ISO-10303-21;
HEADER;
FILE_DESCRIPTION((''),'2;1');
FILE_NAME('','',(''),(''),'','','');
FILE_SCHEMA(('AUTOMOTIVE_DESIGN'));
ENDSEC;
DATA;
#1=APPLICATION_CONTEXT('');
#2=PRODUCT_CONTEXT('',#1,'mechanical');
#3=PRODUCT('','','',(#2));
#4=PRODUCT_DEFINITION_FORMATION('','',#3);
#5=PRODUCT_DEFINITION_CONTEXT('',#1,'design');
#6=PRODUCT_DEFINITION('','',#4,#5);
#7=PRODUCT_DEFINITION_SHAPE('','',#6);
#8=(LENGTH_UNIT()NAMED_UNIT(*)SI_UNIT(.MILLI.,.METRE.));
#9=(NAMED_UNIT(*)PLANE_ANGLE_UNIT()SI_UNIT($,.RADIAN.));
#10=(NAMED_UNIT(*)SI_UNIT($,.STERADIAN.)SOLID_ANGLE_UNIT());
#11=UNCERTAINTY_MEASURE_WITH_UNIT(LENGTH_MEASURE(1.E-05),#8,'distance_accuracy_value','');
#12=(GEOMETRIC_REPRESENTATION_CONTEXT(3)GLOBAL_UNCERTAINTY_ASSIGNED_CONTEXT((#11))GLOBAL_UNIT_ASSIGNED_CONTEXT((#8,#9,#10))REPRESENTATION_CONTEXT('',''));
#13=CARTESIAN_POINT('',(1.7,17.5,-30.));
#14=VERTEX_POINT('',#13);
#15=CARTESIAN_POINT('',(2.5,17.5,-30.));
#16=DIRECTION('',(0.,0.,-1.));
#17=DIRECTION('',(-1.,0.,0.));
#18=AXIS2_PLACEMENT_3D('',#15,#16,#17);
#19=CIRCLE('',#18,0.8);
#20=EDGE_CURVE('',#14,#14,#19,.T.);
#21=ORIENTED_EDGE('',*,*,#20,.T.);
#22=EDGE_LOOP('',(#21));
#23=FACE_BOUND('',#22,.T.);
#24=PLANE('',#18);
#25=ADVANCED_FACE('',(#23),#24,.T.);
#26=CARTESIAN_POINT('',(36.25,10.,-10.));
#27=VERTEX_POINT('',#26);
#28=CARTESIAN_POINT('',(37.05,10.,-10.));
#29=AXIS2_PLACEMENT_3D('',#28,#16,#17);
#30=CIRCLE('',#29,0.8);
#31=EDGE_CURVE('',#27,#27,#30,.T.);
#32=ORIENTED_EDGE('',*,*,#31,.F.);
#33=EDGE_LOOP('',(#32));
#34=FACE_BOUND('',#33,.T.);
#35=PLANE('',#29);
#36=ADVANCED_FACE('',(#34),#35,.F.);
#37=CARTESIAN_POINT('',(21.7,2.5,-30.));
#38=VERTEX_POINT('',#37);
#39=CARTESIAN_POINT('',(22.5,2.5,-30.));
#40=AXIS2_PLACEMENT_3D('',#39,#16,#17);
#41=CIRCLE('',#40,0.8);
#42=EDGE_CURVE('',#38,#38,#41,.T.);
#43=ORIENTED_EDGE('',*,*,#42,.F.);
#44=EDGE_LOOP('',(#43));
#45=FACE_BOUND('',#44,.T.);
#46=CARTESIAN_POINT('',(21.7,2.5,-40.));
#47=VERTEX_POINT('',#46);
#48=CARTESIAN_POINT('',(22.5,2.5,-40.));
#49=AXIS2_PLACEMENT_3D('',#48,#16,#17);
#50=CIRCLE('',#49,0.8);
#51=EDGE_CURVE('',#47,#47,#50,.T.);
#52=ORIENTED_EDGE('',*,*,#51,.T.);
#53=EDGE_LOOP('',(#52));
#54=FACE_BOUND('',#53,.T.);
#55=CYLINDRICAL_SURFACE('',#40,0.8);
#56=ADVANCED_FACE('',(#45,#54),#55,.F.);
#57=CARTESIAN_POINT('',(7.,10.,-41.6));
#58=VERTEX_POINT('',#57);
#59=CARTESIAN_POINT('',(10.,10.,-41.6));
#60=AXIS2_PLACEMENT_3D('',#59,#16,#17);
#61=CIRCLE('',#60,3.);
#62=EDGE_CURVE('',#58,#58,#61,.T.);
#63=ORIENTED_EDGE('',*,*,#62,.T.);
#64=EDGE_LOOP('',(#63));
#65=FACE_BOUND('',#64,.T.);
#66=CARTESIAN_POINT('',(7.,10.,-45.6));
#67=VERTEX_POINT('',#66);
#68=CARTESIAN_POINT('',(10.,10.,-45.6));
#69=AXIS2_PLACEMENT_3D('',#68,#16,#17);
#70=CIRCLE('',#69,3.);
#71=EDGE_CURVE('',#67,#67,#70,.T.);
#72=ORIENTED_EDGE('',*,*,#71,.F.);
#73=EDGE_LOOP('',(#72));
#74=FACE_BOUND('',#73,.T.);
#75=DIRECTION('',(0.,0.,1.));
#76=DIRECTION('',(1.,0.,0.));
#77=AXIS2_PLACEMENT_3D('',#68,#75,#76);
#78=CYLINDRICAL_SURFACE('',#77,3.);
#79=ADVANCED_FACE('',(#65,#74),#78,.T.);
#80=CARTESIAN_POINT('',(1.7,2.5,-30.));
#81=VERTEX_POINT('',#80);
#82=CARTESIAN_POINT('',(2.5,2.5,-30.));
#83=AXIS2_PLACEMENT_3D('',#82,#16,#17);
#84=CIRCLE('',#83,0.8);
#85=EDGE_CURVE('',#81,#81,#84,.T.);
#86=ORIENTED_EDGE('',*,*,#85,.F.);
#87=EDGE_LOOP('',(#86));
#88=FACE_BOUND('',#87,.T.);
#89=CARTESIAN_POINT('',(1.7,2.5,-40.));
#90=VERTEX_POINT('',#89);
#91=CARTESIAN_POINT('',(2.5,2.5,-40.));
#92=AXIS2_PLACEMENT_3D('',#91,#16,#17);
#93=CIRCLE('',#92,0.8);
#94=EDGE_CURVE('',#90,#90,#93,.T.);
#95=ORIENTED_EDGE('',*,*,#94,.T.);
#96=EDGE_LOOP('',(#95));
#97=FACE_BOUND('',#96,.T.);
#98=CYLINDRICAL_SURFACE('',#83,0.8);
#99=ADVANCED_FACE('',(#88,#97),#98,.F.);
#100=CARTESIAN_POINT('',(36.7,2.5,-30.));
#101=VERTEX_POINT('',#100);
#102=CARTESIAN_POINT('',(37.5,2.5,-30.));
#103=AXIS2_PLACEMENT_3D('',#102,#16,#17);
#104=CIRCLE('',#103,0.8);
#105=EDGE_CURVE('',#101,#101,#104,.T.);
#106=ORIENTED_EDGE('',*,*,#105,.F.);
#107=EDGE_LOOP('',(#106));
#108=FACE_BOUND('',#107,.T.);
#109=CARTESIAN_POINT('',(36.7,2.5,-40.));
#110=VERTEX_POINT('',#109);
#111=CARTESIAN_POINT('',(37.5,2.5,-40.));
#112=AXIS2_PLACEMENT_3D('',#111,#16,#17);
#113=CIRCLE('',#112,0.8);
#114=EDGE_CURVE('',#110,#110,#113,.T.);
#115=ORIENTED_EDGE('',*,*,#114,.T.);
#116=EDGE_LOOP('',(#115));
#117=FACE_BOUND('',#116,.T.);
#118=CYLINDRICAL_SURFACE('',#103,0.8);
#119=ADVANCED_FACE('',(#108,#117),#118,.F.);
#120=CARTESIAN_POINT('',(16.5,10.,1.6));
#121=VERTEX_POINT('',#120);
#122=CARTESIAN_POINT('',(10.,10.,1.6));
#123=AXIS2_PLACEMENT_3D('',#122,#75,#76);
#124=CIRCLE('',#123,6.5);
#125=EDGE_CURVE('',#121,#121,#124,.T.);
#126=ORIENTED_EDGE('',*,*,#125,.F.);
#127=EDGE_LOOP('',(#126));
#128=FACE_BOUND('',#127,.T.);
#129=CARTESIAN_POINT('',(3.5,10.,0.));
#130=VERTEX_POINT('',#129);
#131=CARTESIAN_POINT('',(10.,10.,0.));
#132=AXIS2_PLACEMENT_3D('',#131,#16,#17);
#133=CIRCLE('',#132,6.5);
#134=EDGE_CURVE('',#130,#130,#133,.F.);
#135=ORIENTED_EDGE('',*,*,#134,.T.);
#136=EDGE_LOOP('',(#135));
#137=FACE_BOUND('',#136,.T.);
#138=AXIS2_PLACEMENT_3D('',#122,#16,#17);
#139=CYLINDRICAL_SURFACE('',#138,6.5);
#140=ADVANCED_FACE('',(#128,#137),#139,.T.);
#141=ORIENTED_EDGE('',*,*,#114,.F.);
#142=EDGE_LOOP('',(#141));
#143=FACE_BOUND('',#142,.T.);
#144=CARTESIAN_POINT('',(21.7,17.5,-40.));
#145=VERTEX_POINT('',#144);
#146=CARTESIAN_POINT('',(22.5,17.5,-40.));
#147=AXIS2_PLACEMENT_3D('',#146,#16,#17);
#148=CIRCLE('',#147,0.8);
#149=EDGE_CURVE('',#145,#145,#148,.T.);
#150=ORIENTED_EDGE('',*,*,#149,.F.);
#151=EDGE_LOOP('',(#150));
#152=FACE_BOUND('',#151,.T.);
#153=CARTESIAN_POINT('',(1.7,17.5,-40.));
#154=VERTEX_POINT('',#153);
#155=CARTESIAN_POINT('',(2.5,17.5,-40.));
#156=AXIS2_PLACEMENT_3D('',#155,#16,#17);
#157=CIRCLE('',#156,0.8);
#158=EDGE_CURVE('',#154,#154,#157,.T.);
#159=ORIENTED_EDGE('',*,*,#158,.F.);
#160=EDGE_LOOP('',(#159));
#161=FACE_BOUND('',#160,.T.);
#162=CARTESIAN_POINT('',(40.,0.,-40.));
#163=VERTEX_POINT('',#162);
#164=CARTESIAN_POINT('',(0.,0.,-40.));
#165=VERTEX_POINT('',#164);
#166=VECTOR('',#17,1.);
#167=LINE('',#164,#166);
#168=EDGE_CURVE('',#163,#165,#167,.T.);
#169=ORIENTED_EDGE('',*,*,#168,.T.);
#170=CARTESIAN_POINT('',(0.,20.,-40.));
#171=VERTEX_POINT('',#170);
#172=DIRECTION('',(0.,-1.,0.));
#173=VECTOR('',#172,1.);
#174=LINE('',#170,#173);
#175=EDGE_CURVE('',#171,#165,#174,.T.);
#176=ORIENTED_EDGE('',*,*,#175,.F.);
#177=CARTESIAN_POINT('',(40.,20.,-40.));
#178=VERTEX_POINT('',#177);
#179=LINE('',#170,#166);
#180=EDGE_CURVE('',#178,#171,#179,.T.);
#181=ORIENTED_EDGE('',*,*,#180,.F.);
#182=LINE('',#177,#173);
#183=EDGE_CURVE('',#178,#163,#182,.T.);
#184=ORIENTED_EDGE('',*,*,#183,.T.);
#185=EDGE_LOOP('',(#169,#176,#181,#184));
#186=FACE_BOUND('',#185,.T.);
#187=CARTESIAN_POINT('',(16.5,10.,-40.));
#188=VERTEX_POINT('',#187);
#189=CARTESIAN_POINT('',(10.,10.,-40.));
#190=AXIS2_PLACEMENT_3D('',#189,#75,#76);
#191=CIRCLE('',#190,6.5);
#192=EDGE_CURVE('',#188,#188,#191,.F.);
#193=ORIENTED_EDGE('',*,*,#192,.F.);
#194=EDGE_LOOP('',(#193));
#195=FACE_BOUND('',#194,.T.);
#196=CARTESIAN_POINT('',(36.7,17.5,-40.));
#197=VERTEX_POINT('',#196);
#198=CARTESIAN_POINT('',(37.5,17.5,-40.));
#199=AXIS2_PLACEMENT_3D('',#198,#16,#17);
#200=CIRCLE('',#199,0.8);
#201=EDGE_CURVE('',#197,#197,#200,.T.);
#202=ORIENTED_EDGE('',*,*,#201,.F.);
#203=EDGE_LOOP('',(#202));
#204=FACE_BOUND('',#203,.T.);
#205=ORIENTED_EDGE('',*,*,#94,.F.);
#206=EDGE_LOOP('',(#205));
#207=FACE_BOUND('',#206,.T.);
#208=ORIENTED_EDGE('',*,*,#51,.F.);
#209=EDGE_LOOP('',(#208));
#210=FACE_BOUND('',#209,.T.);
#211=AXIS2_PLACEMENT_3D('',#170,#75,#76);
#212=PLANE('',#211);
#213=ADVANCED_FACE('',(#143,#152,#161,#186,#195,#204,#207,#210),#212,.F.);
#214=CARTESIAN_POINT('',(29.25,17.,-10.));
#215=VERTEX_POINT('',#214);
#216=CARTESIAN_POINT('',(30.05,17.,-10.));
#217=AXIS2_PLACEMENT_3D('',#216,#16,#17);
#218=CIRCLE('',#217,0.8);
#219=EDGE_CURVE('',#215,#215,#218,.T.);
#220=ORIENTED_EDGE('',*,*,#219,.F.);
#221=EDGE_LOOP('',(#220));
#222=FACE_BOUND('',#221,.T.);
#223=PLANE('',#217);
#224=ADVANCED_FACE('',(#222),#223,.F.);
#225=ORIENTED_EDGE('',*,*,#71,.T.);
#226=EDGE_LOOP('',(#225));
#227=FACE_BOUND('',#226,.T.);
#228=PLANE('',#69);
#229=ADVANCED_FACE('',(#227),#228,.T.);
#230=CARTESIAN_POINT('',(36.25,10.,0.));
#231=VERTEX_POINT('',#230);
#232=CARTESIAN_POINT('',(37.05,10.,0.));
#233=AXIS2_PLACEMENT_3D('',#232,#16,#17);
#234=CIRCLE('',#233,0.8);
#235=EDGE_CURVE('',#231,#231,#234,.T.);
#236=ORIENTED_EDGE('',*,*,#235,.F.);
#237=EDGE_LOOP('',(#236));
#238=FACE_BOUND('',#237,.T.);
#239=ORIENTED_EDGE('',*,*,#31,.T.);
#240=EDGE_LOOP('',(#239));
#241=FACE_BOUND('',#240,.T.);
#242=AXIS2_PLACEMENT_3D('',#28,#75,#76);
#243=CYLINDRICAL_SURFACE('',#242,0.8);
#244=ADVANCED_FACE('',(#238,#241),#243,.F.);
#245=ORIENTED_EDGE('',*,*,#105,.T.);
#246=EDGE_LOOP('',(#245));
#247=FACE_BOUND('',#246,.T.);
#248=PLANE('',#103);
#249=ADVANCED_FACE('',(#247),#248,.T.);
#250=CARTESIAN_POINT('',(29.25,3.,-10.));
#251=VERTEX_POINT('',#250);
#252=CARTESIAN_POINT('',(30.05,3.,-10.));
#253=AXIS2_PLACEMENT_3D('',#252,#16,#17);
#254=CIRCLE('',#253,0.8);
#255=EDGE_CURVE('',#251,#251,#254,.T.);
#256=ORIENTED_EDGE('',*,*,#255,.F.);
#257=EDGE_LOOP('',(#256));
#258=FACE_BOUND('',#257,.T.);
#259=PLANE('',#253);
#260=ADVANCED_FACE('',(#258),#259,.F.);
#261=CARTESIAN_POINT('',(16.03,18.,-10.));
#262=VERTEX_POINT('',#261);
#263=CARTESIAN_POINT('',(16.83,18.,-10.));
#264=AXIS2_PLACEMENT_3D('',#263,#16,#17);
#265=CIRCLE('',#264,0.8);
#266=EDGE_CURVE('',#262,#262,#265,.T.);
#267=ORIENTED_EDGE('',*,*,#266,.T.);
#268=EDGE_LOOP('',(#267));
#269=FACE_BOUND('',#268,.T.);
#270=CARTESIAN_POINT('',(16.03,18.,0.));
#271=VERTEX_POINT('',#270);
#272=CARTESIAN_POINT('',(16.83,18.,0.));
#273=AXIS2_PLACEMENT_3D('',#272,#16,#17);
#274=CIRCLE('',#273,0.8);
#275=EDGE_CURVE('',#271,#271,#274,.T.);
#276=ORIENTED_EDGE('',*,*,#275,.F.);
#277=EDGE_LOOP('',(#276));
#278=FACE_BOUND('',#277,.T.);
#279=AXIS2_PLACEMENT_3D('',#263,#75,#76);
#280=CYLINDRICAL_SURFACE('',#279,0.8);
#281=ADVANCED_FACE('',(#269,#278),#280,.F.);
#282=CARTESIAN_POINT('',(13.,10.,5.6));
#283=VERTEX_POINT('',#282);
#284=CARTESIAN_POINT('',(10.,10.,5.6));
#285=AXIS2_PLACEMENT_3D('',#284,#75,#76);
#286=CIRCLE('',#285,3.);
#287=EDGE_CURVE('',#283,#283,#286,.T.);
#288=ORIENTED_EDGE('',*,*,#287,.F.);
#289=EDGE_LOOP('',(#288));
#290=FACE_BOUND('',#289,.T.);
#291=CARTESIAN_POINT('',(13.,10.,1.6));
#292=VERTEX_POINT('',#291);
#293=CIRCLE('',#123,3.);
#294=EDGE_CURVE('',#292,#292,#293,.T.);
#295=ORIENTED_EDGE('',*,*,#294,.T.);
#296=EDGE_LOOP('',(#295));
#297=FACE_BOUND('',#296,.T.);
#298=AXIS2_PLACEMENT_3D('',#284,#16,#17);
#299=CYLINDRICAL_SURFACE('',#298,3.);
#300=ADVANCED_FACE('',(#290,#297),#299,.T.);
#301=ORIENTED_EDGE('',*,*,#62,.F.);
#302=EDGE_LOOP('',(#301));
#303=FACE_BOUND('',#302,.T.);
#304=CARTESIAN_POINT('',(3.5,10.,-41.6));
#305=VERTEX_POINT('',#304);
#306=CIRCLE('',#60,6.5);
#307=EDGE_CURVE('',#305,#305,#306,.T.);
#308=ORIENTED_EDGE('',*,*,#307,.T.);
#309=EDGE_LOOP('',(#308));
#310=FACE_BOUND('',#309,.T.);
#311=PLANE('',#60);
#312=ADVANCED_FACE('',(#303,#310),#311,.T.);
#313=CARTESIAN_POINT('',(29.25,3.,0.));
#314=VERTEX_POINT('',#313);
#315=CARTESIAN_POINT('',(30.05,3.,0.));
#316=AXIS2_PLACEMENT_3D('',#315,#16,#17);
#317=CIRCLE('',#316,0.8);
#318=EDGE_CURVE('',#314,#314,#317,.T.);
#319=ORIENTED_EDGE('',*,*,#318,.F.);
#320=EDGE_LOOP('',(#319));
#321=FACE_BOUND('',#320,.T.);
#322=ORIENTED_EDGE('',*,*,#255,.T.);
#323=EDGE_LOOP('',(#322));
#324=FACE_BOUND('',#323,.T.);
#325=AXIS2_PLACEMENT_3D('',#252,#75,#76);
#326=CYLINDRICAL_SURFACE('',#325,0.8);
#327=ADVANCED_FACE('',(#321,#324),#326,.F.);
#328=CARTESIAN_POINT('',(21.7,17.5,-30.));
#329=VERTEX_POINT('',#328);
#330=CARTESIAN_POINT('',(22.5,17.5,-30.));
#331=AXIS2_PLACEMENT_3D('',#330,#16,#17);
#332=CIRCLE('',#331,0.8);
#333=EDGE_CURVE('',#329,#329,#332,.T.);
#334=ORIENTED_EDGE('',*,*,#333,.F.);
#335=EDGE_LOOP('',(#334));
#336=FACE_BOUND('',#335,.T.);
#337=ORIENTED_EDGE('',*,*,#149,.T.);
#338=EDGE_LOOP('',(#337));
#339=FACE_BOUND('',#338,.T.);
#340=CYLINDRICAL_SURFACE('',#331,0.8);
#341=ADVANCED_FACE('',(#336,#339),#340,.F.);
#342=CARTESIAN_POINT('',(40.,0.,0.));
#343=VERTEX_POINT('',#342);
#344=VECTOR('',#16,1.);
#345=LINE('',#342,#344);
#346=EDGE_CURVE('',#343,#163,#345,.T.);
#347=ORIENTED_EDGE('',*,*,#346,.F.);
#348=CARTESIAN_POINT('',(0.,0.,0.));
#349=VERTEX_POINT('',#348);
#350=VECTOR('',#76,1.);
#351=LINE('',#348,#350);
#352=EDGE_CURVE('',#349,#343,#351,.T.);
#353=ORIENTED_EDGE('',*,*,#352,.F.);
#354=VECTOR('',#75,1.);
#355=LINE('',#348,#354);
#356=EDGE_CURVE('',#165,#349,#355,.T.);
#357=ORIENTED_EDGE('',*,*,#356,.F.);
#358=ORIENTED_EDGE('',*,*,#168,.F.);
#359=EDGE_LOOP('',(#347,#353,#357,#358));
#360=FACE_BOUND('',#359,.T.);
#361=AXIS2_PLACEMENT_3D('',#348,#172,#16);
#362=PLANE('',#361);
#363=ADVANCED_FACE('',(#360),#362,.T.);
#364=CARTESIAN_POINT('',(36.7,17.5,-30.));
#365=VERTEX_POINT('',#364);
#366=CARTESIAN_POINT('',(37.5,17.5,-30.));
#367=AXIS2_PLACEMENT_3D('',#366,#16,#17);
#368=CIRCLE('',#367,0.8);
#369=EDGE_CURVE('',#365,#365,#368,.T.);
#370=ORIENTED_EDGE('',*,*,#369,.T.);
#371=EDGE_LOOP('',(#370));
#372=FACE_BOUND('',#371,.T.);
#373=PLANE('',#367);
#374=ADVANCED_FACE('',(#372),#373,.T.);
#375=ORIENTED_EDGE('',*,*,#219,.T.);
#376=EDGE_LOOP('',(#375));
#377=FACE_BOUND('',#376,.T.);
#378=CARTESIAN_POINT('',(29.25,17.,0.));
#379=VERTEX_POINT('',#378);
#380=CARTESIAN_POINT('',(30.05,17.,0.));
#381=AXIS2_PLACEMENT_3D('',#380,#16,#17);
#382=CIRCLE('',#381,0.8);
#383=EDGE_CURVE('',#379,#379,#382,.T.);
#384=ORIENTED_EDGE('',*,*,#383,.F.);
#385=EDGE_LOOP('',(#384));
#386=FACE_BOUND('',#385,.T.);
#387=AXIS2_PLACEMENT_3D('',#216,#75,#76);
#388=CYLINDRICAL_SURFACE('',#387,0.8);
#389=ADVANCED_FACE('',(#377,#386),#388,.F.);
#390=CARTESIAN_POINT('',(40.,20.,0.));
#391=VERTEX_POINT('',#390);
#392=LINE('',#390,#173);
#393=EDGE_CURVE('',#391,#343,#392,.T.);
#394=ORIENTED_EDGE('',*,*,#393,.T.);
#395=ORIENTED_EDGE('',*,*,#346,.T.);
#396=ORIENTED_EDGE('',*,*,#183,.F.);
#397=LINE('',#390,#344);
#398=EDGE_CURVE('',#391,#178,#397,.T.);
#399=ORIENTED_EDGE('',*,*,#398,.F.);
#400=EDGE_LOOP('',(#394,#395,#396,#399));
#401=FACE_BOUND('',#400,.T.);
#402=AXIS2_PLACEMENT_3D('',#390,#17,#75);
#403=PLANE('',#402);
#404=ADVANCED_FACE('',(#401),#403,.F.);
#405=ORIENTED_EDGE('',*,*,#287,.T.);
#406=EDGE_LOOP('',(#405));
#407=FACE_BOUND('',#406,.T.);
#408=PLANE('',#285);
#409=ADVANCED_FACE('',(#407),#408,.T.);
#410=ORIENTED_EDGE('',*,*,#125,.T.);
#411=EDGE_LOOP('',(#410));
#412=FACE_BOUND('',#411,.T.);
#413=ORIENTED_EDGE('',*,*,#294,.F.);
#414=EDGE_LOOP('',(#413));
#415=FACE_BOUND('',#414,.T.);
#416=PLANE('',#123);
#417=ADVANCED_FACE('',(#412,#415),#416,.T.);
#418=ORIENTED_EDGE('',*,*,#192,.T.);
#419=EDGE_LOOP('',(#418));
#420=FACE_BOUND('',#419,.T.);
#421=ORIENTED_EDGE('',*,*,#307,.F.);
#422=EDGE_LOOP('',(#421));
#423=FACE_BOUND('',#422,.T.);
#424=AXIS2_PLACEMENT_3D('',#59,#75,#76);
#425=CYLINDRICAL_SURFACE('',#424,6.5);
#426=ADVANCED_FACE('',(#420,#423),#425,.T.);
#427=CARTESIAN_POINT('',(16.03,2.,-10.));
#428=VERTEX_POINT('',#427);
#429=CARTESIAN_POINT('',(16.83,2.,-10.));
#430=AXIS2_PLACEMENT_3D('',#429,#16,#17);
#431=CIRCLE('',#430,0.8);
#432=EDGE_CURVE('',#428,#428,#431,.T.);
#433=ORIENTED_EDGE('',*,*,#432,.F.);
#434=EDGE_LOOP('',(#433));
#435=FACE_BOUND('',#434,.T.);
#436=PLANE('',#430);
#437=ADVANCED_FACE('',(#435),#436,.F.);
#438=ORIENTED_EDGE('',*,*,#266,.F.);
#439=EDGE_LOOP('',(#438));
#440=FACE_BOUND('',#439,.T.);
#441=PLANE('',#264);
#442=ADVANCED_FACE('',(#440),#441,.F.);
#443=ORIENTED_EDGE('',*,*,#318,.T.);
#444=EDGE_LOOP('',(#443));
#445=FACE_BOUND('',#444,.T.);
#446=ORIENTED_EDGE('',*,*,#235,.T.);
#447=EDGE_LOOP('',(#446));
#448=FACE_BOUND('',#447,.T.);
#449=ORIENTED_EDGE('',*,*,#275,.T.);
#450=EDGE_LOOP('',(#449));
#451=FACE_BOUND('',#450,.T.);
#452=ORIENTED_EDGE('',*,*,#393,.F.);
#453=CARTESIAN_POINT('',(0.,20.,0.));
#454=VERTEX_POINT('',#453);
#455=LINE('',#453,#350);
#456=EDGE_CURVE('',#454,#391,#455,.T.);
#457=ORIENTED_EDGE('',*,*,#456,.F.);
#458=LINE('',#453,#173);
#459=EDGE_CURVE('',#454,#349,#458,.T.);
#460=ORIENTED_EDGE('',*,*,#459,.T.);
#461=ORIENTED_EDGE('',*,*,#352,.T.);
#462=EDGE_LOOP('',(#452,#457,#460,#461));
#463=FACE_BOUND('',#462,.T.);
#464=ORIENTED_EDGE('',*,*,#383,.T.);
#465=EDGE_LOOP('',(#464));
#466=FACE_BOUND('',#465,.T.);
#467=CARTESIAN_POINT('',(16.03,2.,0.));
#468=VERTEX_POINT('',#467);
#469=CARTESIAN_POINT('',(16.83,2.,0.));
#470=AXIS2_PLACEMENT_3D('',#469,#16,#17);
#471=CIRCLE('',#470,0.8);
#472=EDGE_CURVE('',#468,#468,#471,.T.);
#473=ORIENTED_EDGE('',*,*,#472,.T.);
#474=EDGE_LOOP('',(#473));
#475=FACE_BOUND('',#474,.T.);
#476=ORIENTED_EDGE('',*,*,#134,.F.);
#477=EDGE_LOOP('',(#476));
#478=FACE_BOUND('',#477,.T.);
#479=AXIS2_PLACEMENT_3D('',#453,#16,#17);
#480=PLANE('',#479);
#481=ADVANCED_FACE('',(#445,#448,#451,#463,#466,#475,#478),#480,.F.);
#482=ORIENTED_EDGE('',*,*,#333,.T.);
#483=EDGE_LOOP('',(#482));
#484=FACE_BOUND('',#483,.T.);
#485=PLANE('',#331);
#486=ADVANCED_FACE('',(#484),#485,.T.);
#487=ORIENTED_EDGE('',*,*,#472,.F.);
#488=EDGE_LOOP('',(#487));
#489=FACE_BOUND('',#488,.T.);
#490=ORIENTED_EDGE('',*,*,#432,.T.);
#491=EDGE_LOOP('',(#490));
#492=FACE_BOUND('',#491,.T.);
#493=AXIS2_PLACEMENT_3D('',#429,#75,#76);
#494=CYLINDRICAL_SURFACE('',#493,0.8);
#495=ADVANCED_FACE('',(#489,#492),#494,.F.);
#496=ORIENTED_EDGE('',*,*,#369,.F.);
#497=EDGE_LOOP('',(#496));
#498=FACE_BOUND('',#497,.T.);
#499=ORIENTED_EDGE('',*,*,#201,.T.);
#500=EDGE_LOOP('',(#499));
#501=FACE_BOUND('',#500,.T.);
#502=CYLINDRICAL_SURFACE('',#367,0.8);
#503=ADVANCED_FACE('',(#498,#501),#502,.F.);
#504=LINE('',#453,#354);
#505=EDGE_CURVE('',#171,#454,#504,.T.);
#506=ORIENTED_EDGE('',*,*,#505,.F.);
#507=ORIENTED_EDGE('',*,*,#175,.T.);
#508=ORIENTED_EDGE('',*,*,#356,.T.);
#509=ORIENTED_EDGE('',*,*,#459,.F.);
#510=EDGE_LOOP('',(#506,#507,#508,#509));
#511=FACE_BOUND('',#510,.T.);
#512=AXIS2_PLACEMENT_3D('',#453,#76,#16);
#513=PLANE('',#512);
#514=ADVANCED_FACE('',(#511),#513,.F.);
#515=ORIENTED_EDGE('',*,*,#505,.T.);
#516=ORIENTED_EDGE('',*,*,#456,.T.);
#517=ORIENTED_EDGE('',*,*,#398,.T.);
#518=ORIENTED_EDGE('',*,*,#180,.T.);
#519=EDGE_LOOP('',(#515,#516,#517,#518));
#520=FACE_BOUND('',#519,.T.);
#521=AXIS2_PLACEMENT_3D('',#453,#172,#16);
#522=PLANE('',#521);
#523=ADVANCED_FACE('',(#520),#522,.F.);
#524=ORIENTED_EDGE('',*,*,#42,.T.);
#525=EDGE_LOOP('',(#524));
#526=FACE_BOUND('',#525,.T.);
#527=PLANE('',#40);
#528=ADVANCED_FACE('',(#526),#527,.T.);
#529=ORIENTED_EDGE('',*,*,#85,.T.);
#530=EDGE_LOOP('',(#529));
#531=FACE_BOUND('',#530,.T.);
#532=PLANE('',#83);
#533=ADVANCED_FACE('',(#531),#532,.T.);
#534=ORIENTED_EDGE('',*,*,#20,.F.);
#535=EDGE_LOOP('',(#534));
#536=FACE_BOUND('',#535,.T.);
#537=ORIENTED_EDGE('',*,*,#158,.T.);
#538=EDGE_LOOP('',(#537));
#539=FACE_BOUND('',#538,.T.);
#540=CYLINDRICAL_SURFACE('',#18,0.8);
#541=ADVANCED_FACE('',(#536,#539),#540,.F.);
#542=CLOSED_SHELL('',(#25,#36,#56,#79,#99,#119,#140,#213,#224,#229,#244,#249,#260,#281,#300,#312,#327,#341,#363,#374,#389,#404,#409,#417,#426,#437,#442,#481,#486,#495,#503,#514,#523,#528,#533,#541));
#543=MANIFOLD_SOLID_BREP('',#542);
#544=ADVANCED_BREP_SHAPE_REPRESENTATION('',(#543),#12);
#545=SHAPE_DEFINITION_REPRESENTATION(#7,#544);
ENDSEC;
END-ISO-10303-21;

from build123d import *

# Parameters (mm, degrees)
SKETCH1_W              = 40
SKETCH1_H              = 40
BODY_DEPTH             = 20
SKETCH2_R              = 0.8
ROTORSIDE_HOLES_DEPTH  = 10
SKETCH3_R              = 0.8
SLIDERSIDE_HOLES_DEPTH = 10
SKETCH4_R              = 6.5
ROTOREXTEND_DEPTH      = 1.6
SKETCH5_R              = 3
ROTOR_DEPTH            = 4
SLIDEREXTEND_START     = 1.6
SKETCH6_R              = 6.5
SLIDEREXTEND_DEPTH     = 1.6
SLIDER_START           = 4
SKETCH7_R              = 3
SLIDER_DEPTH           = 4


with BuildPart() as part:
    # Sketch1 → Body (new body)
    with BuildSketch(Plane(origin=(0, 0, 0), x_dir=(1, 0, 0), z_dir=(0, 1, 0))):
        with Locations((20, 20)):
            Rectangle(SKETCH1_W, SKETCH1_H)
    extrude(amount=BODY_DEPTH)

    # Sketch2 → RotorSide-Holes (cut)
    with BuildSketch(Plane(origin=(0, 20, 0), x_dir=(1, 0, 0), z_dir=(0, 0, -1))):
        with Locations((30.05, 3)):
            Circle(SKETCH2_R)
        with Locations((37.05, 10)):
            Circle(SKETCH2_R)
        with Locations((30.05, 17)):
            Circle(SKETCH2_R)
        with Locations((16.83, 2)):
            Circle(SKETCH2_R)
        with Locations((16.83, 18)):
            Circle(SKETCH2_R)
    extrude(amount=ROTORSIDE_HOLES_DEPTH, mode=Mode.SUBTRACT)

    # Sketch3 → SliderSide-Holes (cut)
    with BuildSketch(Plane(origin=(0, 0, -40), x_dir=(-1, 0, 0), z_dir=(0, 0, -1))):
        with Locations((-37.5, 17.5)):
            Circle(SKETCH3_R)
        with Locations((-37.5, 2.5)):
            Circle(SKETCH3_R)
        with Locations((-22.5, 17.5)):
            Circle(SKETCH3_R)
        with Locations((-22.5, 2.5)):
            Circle(SKETCH3_R)
        with Locations((-2.5, 17.5)):
            Circle(SKETCH3_R)
        with Locations((-2.5, 2.5)):
            Circle(SKETCH3_R)
    extrude(amount=-SLIDERSIDE_HOLES_DEPTH, mode=Mode.SUBTRACT)

    # Sketch4 → RotorExtend (add)
    with BuildSketch(Plane.XY):
        with Locations((10, 10)):
            Circle(SKETCH4_R)
    extrude(amount=ROTOREXTEND_DEPTH)

    # Sketch5 → Rotor (add)
    with BuildSketch(Plane.XY.offset(1.6)):
        with Locations((10, 10)):
            Circle(SKETCH5_R)
    extrude(amount=ROTOR_DEPTH)

    # Sketch6 → SliderExtend (add)
    with BuildSketch(Plane(origin=(0, 0, -40), x_dir=(-1, 0, 0), z_dir=(0, 0, -1)).offset(SLIDEREXTEND_START)):
        with Locations((-10, 10)):
            Circle(SKETCH6_R)
    extrude(amount=-SLIDEREXTEND_DEPTH)

    # Sketch7 → Slider (add)
    with BuildSketch(Plane(origin=(0, 0, -41.6), x_dir=(-1, 0, 0), z_dir=(0, 0, -1)).offset(SLIDER_START)):
        with Locations((-10, 10)):
            Circle(SKETCH7_R)
    extrude(amount=-SLIDER_DEPTH)


solid = part.part
